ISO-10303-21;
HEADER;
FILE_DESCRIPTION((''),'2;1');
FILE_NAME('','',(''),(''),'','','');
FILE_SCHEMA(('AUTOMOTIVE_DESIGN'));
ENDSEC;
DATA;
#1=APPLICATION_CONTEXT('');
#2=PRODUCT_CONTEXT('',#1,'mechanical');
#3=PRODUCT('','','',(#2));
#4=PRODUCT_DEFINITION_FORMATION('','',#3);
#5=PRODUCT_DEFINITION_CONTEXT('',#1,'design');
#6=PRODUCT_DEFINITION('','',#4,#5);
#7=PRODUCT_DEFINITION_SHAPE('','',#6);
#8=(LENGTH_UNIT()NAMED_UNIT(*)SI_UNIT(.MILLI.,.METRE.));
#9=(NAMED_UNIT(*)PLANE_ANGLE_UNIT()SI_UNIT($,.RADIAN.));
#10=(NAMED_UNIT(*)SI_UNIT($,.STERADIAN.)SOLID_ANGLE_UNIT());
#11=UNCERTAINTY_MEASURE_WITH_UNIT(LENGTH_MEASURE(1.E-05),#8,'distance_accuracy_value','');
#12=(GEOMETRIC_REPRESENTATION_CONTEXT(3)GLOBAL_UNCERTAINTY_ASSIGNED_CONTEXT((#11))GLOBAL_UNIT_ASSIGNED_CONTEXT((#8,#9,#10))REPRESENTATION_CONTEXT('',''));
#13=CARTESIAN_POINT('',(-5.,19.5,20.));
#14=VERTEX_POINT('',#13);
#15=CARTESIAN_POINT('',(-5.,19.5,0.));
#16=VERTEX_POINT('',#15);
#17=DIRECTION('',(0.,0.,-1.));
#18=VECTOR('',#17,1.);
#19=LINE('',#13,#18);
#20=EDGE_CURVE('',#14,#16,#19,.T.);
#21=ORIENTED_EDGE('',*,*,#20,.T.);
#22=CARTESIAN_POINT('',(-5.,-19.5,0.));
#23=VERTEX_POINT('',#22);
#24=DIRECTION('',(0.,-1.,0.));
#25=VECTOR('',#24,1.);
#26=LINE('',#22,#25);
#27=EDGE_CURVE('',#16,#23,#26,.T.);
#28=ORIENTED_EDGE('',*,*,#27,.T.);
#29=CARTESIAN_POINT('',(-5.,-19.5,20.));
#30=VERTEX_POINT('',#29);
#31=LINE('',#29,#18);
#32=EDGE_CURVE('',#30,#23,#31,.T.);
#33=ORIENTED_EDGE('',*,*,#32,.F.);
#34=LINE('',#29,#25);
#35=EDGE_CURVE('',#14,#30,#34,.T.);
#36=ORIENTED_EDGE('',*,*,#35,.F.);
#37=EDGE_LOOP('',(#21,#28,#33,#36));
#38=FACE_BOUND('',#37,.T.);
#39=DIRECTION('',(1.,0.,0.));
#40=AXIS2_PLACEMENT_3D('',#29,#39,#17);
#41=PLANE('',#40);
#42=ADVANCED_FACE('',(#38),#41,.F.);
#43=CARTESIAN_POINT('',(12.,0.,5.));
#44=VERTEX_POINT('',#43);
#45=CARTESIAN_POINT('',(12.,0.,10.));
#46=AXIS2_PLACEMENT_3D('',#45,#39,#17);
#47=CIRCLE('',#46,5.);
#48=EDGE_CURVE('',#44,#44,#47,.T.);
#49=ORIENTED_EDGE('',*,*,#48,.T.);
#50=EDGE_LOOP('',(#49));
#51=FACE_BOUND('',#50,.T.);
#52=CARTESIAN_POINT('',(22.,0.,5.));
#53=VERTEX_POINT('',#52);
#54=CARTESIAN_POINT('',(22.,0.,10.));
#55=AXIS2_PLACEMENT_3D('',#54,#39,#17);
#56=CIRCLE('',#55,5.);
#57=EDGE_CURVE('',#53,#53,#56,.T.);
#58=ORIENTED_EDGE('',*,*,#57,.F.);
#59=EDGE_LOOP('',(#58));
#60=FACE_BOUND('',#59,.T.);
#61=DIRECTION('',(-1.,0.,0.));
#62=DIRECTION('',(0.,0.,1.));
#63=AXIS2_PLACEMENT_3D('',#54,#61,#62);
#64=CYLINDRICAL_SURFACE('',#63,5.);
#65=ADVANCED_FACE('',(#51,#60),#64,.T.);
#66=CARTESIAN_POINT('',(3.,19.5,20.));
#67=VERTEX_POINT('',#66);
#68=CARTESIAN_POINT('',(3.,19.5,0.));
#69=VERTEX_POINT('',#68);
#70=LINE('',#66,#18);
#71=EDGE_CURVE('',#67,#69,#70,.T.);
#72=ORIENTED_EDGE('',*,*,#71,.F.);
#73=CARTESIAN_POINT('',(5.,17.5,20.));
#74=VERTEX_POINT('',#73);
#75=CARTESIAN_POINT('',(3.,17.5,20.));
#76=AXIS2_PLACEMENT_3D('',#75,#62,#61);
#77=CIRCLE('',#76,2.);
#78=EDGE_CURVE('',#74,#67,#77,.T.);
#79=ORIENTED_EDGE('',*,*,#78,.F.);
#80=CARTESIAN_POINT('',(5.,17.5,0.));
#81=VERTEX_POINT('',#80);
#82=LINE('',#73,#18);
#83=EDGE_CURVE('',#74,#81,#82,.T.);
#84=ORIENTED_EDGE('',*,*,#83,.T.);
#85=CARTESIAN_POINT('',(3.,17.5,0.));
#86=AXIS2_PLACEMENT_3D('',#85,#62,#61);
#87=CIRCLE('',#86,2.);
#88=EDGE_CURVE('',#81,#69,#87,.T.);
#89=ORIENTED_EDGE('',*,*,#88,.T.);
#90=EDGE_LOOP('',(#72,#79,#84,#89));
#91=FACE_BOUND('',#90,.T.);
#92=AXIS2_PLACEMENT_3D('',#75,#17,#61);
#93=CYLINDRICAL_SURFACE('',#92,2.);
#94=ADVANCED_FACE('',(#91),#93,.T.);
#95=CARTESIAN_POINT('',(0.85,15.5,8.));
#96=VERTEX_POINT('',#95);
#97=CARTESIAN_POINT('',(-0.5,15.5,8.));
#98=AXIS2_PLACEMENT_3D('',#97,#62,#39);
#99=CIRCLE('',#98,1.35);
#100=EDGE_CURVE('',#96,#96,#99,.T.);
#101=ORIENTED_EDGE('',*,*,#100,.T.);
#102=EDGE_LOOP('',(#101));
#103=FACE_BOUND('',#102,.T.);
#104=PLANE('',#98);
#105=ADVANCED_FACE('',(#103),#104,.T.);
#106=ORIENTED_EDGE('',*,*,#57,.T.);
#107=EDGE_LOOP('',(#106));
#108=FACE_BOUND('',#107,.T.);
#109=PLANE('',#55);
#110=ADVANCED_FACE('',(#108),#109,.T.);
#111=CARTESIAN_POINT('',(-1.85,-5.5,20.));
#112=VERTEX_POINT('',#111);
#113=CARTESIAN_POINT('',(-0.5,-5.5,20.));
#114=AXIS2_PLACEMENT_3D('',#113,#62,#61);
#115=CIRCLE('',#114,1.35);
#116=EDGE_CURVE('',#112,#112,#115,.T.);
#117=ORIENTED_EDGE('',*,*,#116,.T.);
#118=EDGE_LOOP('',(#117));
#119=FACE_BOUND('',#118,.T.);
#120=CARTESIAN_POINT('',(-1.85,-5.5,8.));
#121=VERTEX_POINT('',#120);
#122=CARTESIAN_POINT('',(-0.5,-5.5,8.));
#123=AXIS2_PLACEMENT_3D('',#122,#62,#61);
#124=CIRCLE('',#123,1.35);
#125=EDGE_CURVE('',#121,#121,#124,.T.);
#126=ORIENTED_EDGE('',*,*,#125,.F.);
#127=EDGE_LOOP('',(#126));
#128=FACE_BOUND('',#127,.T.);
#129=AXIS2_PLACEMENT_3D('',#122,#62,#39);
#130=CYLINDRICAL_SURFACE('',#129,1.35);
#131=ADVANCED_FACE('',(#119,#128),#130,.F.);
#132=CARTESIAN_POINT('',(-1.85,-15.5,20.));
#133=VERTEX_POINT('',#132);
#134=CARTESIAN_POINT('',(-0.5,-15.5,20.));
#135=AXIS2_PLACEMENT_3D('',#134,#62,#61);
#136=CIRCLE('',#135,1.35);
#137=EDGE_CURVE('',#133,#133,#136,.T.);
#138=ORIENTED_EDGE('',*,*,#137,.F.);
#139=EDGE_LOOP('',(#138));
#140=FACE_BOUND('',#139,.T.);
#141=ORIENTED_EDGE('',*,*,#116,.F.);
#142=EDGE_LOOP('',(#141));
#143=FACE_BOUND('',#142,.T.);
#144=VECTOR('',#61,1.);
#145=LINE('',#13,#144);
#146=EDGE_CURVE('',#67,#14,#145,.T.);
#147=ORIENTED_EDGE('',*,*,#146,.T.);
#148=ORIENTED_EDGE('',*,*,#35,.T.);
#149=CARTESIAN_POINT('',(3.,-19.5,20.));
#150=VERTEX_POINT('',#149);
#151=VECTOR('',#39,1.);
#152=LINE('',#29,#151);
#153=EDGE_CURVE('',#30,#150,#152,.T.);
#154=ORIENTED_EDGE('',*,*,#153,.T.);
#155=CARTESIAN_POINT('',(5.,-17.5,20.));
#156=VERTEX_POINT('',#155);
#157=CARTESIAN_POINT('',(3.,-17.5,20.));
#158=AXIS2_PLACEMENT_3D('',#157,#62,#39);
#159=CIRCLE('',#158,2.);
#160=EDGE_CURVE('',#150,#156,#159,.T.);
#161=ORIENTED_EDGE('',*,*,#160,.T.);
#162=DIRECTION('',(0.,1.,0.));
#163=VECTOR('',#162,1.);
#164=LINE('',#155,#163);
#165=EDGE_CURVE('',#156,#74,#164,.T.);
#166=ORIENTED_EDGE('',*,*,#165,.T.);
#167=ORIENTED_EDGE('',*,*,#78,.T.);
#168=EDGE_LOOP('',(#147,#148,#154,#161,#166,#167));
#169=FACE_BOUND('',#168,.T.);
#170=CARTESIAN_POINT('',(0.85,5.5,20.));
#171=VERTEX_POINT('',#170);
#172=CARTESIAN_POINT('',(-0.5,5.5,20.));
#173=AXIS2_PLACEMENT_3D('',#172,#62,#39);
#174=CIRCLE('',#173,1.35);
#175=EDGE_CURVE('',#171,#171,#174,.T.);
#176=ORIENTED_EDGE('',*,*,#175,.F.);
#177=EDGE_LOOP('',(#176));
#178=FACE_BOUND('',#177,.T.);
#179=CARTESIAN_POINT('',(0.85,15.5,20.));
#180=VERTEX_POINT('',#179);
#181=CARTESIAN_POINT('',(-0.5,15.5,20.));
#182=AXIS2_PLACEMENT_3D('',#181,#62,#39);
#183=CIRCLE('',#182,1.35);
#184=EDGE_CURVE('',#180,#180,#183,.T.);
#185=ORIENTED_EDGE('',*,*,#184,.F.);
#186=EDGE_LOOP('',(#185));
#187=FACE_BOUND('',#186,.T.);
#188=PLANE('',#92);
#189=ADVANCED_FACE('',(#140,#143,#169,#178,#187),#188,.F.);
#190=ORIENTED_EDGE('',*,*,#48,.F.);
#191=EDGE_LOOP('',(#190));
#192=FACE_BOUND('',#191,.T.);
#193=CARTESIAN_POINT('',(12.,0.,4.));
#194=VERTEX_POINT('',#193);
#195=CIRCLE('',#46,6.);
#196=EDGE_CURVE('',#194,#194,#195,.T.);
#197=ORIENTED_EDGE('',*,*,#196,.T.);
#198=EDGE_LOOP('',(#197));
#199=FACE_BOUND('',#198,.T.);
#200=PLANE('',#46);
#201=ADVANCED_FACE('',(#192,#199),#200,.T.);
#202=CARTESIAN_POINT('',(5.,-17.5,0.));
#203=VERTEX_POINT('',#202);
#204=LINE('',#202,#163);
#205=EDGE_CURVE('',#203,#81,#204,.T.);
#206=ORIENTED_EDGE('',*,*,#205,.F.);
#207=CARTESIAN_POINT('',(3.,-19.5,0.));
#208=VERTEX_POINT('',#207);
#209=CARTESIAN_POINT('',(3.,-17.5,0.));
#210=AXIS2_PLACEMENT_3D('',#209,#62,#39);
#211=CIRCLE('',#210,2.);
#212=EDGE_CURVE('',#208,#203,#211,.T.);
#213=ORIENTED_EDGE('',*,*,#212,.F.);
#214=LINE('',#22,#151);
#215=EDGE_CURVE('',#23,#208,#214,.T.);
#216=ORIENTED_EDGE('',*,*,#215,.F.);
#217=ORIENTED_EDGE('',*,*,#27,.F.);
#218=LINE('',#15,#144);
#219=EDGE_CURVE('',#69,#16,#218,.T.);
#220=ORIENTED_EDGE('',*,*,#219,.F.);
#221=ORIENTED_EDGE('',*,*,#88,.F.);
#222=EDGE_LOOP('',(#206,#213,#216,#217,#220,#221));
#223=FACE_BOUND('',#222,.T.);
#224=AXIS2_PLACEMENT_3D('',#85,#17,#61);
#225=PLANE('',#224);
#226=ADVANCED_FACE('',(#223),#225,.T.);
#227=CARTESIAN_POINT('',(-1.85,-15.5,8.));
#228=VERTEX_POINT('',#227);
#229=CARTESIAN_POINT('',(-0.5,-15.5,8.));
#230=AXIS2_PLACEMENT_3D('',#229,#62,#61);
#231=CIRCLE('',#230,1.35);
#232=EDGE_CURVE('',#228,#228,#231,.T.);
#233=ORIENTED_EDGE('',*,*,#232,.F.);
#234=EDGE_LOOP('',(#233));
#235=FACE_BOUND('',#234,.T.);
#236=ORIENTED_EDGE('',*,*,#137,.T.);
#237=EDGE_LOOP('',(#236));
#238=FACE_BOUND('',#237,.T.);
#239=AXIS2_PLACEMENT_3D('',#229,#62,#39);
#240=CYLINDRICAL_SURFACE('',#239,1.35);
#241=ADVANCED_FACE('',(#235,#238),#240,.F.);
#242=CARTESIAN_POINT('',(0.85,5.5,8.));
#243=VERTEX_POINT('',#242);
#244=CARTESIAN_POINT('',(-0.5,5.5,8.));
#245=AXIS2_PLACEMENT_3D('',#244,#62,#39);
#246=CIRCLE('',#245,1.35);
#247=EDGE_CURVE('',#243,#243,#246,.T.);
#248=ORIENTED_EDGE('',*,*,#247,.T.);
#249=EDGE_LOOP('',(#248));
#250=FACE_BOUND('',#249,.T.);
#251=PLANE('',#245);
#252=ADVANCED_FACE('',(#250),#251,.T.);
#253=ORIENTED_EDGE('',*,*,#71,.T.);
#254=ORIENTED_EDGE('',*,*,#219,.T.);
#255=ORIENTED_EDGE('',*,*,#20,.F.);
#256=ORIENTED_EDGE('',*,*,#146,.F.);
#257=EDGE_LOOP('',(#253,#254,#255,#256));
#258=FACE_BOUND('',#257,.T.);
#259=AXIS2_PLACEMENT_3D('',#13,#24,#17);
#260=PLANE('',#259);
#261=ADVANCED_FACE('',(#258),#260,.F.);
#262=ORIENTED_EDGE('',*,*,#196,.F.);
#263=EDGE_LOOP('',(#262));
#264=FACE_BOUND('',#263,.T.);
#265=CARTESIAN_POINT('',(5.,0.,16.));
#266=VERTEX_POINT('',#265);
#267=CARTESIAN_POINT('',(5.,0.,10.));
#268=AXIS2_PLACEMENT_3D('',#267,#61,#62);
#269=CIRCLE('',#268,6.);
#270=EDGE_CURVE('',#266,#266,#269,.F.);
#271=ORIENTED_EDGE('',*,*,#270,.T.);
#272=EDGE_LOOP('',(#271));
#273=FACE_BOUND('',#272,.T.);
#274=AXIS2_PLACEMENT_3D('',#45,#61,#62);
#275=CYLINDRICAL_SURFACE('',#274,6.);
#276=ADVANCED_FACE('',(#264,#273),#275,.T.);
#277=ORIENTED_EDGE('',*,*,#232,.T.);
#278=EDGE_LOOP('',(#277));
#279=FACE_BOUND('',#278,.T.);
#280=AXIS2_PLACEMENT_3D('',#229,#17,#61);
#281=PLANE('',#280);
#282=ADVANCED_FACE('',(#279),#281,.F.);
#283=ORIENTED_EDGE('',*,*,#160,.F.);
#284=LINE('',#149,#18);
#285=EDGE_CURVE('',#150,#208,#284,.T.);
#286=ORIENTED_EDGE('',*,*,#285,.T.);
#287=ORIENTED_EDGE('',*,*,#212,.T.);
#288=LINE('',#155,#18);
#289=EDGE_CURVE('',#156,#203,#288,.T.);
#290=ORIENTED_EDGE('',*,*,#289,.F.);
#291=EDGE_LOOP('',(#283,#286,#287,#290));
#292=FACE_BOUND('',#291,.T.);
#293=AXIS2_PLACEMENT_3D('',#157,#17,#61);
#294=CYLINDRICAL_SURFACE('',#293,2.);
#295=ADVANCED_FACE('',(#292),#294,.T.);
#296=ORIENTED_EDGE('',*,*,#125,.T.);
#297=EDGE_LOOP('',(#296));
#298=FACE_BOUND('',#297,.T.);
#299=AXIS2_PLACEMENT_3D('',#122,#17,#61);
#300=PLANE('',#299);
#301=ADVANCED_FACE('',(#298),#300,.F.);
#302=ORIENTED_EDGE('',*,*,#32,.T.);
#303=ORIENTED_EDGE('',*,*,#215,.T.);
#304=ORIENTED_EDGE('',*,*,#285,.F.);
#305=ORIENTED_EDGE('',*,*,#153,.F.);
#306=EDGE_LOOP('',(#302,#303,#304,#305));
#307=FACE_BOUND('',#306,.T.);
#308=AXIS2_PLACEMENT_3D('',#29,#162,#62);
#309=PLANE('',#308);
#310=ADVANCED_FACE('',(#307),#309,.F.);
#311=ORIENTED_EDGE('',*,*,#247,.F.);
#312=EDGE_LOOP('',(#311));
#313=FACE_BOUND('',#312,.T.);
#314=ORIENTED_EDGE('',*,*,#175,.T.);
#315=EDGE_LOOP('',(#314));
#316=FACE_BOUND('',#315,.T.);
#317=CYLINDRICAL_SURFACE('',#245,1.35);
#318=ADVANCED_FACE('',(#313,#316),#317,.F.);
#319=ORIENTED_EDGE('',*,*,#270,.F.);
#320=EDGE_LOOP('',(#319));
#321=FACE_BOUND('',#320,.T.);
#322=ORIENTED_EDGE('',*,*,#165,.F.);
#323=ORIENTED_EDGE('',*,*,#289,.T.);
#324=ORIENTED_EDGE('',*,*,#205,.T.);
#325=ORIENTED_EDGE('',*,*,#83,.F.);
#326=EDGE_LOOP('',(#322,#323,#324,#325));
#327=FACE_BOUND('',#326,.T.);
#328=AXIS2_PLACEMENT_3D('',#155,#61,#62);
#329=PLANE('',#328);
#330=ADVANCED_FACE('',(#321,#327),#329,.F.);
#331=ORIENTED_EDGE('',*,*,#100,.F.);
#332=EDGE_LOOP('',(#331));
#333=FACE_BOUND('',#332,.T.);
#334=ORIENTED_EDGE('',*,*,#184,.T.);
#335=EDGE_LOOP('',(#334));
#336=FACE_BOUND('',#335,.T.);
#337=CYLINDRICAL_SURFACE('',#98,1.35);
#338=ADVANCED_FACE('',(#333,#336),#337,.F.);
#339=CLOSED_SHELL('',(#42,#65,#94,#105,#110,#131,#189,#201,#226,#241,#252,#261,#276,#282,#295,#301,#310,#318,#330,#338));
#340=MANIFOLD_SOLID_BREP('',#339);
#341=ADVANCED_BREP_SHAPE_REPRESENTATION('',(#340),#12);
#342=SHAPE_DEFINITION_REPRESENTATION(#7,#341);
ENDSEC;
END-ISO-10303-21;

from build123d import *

# Parameters (mm, degrees)
BOSS_EXTRUDE1_DEPTH = 20
SKETCH2_R           = 1.35
CUT_EXTRUDE2_DEPTH  = 12
SKETCH3_R           = 5
BOSS_EXTRUDE2_DEPTH = 17
SKETCH4_R           = 6
BOSS_EXTRUDE3_DEPTH = 7


with BuildPart() as part:
    # Sketch1 → Boss-Extrude1 (new body)
    with BuildSketch(Plane.XY):
        with BuildLine():
            Line((-5, -19.5), (3, -19.5))
            ThreePointArc((3, -19.5), (4.414213562, -18.914213562), (5, -17.5))
            Line((5, -17.5), (5, 17.5))
            ThreePointArc((5, 17.5), (4.414213562, 18.914213562), (3, 19.5))
            Line((3, 19.5), (-5, 19.5))
            Line((-5, 19.5), (-5, -19.5))
        make_face()
    extrude(amount=BOSS_EXTRUDE1_DEPTH)

    # Sketch2 → Cut-Extrude2 (cut)
    with BuildSketch(Plane.XY.offset(20)):
        with Locations((-0.5, 15.5)):
            Circle(SKETCH2_R)
        with Locations((-0.5, 5.5)):
            Circle(SKETCH2_R)
        with Locations((-0.5, -15.5)):
            Circle(SKETCH2_R)
        with Locations((-0.5, -5.5)):
            Circle(SKETCH2_R)
    extrude(amount=-CUT_EXTRUDE2_DEPTH, mode=Mode.SUBTRACT)

    # Sketch3 → Boss-Extrude2 (add)
    with BuildSketch(Plane(origin=(5, 0, 0), x_dir=(0, 0, -1), z_dir=(1, 0, 0))):
        with Locations((-10, 0)):
            Circle(SKETCH3_R)
    extrude(amount=BOSS_EXTRUDE2_DEPTH)

    # Sketch4 → Boss-Extrude3 (add)
    with BuildSketch(Plane(origin=(5, 0, 0), x_dir=(0, 0, -1), z_dir=(1, 0, 0))):
        with Locations((-10, 0)):
            Circle(SKETCH4_R)
    extrude(amount=BOSS_EXTRUDE3_DEPTH)


solid = part.part
